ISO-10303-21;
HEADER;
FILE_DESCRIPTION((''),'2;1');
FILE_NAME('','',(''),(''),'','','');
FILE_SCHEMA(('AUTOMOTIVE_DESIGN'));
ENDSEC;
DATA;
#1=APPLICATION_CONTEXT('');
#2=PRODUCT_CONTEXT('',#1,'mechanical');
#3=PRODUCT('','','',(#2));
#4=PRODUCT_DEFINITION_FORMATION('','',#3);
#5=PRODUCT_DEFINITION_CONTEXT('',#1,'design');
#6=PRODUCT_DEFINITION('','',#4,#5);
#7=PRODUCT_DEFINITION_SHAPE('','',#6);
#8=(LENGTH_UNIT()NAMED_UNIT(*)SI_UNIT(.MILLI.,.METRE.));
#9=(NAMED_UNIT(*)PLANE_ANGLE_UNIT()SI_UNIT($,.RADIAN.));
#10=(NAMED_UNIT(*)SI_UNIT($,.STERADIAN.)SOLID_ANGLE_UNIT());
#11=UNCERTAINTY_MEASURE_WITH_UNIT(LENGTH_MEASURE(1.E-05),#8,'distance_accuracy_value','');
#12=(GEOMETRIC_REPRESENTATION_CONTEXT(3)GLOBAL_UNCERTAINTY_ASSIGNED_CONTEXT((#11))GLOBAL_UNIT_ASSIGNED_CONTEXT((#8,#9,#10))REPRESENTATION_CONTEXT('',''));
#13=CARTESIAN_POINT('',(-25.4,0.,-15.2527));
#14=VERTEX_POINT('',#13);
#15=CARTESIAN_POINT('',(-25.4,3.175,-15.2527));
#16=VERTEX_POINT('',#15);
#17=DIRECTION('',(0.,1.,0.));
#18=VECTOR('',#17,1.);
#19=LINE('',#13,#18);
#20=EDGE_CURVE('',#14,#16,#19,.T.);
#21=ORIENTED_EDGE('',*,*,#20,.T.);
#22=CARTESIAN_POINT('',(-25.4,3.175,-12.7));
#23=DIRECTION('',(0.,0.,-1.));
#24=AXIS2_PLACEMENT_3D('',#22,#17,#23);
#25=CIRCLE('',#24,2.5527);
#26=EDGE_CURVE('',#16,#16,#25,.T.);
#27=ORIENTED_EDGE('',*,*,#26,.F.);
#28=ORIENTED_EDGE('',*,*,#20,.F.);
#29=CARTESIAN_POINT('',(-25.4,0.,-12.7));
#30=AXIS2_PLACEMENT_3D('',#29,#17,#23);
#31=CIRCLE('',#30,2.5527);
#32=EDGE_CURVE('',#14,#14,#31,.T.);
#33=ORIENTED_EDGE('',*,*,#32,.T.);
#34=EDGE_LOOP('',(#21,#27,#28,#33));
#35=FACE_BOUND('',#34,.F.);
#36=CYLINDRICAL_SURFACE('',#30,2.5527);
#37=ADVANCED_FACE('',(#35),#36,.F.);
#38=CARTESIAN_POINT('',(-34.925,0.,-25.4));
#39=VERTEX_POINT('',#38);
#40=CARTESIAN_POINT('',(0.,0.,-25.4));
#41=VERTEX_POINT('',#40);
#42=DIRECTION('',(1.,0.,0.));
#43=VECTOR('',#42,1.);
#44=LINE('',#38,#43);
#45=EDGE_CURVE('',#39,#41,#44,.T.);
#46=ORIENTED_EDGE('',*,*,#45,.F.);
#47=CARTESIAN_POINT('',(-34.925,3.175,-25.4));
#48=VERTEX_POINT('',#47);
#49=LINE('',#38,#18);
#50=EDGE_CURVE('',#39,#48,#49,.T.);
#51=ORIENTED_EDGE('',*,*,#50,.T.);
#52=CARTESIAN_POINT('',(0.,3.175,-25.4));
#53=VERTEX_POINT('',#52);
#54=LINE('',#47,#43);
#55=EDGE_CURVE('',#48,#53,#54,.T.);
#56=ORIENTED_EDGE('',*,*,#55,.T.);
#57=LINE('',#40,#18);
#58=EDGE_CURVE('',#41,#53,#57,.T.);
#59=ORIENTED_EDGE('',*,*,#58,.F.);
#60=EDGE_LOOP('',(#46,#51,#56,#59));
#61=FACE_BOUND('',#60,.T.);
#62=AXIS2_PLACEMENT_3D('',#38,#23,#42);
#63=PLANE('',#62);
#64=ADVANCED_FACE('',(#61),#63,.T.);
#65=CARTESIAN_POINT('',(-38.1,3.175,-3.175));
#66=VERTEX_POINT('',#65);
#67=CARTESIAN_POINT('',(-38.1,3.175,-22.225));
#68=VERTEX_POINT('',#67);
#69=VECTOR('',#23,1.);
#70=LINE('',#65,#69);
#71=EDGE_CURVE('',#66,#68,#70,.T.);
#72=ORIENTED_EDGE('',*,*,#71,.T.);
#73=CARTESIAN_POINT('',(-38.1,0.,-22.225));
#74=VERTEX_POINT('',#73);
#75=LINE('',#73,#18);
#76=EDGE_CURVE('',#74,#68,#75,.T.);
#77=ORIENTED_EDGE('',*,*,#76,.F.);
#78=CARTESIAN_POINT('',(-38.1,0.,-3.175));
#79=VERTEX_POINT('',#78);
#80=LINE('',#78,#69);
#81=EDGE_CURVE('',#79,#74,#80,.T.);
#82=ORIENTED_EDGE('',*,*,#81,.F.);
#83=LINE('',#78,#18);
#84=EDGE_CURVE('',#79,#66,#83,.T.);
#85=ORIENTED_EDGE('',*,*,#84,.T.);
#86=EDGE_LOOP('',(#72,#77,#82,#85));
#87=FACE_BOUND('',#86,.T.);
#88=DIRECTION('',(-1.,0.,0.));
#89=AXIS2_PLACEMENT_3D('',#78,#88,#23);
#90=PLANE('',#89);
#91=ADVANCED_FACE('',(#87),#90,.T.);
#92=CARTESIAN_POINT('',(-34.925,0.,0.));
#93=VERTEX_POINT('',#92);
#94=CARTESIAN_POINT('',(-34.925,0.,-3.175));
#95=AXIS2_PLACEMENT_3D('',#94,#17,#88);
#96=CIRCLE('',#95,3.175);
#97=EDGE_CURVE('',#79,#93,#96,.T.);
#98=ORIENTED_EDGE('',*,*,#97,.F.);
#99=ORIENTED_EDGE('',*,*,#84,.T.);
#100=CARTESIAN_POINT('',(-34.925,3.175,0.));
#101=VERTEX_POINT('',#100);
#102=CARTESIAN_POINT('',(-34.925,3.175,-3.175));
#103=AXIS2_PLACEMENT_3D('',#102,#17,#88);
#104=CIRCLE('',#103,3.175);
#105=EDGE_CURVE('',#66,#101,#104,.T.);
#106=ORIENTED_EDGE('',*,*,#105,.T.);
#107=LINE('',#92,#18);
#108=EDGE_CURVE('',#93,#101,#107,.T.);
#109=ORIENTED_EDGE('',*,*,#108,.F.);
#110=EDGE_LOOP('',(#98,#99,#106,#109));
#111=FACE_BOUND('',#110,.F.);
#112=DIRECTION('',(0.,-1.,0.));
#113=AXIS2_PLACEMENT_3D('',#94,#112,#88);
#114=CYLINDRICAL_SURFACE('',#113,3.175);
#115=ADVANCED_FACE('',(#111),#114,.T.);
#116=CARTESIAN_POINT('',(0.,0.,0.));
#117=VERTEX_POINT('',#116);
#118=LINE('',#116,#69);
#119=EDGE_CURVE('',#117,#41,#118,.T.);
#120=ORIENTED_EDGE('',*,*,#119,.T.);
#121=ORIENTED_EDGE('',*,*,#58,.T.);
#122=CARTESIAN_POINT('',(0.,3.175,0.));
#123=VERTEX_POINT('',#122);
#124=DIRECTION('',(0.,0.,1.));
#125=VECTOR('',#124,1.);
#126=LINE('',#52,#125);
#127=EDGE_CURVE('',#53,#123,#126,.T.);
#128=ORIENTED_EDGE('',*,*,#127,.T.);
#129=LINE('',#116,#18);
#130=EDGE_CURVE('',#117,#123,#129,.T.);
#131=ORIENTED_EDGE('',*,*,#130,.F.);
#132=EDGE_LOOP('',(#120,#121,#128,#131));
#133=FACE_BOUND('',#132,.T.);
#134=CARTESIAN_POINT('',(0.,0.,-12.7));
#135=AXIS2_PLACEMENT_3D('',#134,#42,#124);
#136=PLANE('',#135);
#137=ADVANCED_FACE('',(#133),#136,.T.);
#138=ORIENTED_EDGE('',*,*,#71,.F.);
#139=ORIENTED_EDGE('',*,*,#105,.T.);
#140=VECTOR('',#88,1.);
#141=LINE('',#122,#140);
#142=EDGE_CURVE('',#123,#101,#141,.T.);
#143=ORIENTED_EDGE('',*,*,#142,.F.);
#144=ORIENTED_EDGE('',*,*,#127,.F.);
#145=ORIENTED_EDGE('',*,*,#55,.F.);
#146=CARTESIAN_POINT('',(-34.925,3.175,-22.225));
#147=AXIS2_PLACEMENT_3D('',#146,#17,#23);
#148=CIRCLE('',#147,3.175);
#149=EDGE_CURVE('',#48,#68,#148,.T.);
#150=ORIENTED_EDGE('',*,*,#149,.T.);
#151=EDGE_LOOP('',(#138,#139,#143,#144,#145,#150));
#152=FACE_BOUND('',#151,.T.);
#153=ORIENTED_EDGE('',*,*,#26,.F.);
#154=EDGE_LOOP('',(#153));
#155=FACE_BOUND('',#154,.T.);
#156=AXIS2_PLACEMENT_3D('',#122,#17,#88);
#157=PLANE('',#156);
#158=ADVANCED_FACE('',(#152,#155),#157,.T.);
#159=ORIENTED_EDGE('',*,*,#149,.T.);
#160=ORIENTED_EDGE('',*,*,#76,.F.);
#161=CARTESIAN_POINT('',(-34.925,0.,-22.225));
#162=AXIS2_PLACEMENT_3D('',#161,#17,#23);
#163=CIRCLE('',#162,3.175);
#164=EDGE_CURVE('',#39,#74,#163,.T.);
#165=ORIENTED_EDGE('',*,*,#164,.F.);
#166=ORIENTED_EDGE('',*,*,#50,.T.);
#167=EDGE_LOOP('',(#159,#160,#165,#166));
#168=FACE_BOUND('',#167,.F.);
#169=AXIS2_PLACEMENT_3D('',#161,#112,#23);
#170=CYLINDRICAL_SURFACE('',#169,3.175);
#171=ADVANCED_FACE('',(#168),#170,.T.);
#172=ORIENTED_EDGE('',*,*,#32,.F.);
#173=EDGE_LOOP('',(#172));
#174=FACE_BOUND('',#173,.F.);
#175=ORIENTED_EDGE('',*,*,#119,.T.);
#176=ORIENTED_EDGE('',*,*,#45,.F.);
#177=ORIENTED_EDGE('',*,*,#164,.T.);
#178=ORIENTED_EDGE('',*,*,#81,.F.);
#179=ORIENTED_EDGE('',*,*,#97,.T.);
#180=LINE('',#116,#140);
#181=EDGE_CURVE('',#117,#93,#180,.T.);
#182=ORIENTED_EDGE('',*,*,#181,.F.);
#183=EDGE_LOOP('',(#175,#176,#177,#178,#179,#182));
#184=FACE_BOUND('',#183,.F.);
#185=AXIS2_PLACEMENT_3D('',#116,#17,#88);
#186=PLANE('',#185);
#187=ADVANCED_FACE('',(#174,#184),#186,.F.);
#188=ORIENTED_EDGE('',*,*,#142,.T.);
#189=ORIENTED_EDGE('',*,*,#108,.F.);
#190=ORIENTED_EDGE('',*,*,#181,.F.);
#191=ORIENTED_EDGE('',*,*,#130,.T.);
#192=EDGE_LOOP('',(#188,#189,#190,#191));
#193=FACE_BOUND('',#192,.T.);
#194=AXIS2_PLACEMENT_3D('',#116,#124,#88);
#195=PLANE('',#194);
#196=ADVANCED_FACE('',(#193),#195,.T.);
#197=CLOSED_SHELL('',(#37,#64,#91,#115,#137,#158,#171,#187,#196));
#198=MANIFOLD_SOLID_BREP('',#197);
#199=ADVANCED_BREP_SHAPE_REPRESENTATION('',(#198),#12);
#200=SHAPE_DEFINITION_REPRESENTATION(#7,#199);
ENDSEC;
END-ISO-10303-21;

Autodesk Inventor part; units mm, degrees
ref_plane "YZ Plane" through (0, 0, 0) normal (1, 0, 0) x (0, 1, 0)
ref_plane "XZ Plane" through (0, 0, 0) normal (0, 1, 0) x (-1, 0, 0)
ref_plane "XY Plane" through (0, 0, 0) normal (0, 0, 1) x (1, 0, 0)
sketch "Sketch1" plane through (0, 0, 0) normal (0, 1, 0) x (-1, 0, 0)
  line L0 (0, 0) -> (34.925, 0)
  line L1 (38.1, -3.175) -> (38.1, -22.225)
  line L2 (34.925, -25.4) -> (0, -25.4)
  line L3 (0, -25.4) -> (0, 0)
  line L4 (0, 0) -> (0, -12.7)
  line L5 (0, -12.7) -> (25.4, -12.7)
  arc A0 (34.925, -25.4) -> (38.1, -22.225) centre (34.925, -22.225) ccw
  arc A1 (38.1, -3.175) -> (34.925, 0) centre (34.925, -3.175) ccw
  point P0 (38.1, -25.4)
  point P1 (38.1, 0)
  dimension "d0" = 38.1
  dimension "d1" = 25.4
  dimension "d2" = 12.7
  dimension "d3" = 25.4
  dimension "d7" = 3.175
extrude "Extrusion1" add sketch "Sketch1" along normal blind 3.175
hole "Hole1" at (-25.4, 0, -12.7) direction (0, 1, 0) diameter 5.1054 end through all clearance for "Flat Head Machine Screw (82)" size "#10" standard "Ansi Unified Screw Threads"
properties part number "mountingtabfirewall" material "Steel"
